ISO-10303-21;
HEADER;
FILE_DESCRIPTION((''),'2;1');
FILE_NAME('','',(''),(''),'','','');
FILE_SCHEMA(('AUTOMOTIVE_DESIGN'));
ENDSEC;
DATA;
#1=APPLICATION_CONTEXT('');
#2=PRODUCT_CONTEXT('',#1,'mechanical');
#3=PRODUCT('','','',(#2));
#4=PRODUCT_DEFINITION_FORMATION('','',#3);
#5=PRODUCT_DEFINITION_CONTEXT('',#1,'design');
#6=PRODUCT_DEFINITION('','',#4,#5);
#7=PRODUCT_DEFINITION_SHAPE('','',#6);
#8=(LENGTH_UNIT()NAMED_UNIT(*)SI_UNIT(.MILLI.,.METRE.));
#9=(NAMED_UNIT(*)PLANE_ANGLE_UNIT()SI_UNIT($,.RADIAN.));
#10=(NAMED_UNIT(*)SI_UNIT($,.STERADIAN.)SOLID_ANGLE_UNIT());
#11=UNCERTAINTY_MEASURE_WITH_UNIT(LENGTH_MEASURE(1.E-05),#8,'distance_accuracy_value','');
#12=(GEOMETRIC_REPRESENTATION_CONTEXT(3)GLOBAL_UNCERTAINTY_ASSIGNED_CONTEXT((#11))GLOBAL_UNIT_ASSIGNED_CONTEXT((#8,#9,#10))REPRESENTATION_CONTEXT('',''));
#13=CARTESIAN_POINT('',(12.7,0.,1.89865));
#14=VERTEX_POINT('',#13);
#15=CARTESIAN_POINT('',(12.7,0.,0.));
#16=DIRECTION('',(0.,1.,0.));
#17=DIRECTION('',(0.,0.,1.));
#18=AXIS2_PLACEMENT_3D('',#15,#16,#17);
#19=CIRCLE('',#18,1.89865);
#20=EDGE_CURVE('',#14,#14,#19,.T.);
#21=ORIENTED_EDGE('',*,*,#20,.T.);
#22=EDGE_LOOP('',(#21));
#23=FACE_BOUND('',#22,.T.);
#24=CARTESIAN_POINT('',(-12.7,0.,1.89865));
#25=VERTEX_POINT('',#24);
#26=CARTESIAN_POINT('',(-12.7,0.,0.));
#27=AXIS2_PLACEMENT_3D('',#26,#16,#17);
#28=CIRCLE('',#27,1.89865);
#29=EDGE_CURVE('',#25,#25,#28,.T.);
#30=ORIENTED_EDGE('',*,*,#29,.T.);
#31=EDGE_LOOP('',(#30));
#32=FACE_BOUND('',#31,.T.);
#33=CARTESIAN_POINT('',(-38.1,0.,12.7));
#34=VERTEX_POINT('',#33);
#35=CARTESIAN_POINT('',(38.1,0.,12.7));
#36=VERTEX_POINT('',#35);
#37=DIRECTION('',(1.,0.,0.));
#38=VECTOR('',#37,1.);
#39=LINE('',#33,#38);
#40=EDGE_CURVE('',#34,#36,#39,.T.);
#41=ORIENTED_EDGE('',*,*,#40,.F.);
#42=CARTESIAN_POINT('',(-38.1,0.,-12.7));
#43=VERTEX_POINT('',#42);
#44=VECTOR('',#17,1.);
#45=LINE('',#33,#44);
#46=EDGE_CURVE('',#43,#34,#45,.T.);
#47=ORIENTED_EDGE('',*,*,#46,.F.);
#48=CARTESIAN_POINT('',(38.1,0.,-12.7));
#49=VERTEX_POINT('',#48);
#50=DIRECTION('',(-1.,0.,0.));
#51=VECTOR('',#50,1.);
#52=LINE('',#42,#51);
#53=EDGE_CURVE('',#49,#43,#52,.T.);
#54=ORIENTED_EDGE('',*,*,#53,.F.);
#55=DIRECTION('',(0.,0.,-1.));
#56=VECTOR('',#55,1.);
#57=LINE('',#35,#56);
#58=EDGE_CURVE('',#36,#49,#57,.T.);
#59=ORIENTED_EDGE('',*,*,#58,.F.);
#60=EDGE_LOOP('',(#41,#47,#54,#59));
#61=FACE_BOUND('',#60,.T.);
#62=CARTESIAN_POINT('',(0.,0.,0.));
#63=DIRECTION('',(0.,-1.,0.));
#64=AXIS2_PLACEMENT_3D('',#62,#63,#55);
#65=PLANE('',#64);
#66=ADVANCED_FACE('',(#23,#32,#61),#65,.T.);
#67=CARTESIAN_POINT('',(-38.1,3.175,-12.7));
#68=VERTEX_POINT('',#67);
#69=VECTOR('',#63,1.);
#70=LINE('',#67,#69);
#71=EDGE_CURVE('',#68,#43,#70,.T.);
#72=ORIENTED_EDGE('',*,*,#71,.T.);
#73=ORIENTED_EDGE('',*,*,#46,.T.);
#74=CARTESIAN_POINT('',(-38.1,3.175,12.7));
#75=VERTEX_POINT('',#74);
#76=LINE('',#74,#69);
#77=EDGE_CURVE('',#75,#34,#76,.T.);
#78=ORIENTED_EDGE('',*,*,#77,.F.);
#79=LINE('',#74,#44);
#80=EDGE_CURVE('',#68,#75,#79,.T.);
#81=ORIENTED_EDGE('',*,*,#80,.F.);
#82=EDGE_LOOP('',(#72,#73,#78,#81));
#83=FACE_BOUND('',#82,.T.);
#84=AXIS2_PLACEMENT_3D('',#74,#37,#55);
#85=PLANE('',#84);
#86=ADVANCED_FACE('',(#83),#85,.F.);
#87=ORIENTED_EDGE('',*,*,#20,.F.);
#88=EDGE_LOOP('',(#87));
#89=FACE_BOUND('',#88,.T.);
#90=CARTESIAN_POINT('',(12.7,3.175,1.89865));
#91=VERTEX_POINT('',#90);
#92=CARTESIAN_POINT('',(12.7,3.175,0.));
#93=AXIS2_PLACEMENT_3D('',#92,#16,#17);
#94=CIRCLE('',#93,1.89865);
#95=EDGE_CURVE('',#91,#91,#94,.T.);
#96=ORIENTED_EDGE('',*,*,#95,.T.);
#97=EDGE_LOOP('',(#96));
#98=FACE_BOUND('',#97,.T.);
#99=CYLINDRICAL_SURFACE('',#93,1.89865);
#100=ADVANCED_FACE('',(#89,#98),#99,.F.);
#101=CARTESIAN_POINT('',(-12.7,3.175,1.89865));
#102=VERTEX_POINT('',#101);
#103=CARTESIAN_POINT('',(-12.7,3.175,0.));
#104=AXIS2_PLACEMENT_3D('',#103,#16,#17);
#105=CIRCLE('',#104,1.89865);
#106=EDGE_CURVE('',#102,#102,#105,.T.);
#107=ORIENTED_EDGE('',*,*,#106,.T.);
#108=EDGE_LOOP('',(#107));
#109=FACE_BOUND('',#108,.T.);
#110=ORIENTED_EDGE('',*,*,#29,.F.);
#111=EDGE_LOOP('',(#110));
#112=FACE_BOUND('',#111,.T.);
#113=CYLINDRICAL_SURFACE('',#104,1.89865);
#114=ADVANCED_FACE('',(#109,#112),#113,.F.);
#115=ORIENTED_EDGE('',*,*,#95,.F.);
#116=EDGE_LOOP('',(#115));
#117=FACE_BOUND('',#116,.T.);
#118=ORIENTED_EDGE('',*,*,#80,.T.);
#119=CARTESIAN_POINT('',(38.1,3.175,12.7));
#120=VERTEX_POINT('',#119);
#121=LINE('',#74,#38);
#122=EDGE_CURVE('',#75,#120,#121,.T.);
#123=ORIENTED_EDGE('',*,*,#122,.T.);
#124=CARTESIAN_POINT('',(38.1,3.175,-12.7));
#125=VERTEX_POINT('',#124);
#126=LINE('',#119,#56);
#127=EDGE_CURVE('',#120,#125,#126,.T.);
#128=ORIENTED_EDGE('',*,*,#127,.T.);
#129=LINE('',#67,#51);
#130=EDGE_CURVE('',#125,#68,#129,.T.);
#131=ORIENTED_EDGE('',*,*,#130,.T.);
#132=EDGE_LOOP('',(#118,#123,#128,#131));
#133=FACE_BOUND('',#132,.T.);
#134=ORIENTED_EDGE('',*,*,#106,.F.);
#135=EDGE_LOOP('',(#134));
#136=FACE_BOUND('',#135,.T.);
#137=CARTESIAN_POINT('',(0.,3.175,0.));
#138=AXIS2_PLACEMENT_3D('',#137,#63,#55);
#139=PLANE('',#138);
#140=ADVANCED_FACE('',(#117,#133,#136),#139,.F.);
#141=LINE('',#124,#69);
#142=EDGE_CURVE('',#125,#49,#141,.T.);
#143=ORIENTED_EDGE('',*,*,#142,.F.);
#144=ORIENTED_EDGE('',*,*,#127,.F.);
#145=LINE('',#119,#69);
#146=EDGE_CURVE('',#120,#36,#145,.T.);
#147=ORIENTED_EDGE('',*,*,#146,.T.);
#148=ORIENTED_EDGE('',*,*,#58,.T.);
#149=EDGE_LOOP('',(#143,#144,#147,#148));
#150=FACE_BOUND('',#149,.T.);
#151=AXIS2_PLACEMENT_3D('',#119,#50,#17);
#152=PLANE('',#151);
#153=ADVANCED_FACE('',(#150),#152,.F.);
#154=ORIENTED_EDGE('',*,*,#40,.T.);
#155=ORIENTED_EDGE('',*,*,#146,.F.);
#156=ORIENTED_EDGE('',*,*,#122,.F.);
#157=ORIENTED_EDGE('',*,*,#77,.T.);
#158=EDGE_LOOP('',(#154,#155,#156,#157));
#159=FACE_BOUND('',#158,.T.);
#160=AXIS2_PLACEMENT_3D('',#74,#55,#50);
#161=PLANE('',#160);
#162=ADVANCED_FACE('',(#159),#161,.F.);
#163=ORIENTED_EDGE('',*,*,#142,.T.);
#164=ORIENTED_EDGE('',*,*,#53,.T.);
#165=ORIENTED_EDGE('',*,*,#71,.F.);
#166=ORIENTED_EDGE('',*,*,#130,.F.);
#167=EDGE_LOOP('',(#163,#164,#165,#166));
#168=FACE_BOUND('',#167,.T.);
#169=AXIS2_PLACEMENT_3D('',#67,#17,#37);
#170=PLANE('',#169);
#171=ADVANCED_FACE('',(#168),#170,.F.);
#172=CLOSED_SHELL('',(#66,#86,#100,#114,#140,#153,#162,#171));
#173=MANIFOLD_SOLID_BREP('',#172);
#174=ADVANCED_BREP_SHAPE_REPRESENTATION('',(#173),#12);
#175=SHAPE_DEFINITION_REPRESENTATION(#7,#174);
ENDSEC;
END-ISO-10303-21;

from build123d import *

# Parameters (mm, degrees)
SKETCH1_W             = 76.2
SKETCH1_H             = 25.4
BOSS_EXTRUDE1_DEPTH   = 3.175
F_6_CLEARANCE_HOLE1_D = 3.7973


with BuildPart() as part:
    # Sketch1 → Boss-Extrude1 (new body)
    with BuildSketch(Plane(origin=(0, 0, 0), x_dir=(1, 0, 0), z_dir=(0, 1, 0))):
        Rectangle(SKETCH1_W, SKETCH1_H)
    extrude(amount=BOSS_EXTRUDE1_DEPTH)

    # #6 Clearance Hole1 (through all)
    with Locations(Plane(origin=(0, 3.175, 0), x_dir=(1, 0, 0), z_dir=(0, 1, 0))):
        with Locations((-12.7, 0), (12.7, 0)):
            Hole(F_6_CLEARANCE_HOLE1_D / 2)


solid = part.part
